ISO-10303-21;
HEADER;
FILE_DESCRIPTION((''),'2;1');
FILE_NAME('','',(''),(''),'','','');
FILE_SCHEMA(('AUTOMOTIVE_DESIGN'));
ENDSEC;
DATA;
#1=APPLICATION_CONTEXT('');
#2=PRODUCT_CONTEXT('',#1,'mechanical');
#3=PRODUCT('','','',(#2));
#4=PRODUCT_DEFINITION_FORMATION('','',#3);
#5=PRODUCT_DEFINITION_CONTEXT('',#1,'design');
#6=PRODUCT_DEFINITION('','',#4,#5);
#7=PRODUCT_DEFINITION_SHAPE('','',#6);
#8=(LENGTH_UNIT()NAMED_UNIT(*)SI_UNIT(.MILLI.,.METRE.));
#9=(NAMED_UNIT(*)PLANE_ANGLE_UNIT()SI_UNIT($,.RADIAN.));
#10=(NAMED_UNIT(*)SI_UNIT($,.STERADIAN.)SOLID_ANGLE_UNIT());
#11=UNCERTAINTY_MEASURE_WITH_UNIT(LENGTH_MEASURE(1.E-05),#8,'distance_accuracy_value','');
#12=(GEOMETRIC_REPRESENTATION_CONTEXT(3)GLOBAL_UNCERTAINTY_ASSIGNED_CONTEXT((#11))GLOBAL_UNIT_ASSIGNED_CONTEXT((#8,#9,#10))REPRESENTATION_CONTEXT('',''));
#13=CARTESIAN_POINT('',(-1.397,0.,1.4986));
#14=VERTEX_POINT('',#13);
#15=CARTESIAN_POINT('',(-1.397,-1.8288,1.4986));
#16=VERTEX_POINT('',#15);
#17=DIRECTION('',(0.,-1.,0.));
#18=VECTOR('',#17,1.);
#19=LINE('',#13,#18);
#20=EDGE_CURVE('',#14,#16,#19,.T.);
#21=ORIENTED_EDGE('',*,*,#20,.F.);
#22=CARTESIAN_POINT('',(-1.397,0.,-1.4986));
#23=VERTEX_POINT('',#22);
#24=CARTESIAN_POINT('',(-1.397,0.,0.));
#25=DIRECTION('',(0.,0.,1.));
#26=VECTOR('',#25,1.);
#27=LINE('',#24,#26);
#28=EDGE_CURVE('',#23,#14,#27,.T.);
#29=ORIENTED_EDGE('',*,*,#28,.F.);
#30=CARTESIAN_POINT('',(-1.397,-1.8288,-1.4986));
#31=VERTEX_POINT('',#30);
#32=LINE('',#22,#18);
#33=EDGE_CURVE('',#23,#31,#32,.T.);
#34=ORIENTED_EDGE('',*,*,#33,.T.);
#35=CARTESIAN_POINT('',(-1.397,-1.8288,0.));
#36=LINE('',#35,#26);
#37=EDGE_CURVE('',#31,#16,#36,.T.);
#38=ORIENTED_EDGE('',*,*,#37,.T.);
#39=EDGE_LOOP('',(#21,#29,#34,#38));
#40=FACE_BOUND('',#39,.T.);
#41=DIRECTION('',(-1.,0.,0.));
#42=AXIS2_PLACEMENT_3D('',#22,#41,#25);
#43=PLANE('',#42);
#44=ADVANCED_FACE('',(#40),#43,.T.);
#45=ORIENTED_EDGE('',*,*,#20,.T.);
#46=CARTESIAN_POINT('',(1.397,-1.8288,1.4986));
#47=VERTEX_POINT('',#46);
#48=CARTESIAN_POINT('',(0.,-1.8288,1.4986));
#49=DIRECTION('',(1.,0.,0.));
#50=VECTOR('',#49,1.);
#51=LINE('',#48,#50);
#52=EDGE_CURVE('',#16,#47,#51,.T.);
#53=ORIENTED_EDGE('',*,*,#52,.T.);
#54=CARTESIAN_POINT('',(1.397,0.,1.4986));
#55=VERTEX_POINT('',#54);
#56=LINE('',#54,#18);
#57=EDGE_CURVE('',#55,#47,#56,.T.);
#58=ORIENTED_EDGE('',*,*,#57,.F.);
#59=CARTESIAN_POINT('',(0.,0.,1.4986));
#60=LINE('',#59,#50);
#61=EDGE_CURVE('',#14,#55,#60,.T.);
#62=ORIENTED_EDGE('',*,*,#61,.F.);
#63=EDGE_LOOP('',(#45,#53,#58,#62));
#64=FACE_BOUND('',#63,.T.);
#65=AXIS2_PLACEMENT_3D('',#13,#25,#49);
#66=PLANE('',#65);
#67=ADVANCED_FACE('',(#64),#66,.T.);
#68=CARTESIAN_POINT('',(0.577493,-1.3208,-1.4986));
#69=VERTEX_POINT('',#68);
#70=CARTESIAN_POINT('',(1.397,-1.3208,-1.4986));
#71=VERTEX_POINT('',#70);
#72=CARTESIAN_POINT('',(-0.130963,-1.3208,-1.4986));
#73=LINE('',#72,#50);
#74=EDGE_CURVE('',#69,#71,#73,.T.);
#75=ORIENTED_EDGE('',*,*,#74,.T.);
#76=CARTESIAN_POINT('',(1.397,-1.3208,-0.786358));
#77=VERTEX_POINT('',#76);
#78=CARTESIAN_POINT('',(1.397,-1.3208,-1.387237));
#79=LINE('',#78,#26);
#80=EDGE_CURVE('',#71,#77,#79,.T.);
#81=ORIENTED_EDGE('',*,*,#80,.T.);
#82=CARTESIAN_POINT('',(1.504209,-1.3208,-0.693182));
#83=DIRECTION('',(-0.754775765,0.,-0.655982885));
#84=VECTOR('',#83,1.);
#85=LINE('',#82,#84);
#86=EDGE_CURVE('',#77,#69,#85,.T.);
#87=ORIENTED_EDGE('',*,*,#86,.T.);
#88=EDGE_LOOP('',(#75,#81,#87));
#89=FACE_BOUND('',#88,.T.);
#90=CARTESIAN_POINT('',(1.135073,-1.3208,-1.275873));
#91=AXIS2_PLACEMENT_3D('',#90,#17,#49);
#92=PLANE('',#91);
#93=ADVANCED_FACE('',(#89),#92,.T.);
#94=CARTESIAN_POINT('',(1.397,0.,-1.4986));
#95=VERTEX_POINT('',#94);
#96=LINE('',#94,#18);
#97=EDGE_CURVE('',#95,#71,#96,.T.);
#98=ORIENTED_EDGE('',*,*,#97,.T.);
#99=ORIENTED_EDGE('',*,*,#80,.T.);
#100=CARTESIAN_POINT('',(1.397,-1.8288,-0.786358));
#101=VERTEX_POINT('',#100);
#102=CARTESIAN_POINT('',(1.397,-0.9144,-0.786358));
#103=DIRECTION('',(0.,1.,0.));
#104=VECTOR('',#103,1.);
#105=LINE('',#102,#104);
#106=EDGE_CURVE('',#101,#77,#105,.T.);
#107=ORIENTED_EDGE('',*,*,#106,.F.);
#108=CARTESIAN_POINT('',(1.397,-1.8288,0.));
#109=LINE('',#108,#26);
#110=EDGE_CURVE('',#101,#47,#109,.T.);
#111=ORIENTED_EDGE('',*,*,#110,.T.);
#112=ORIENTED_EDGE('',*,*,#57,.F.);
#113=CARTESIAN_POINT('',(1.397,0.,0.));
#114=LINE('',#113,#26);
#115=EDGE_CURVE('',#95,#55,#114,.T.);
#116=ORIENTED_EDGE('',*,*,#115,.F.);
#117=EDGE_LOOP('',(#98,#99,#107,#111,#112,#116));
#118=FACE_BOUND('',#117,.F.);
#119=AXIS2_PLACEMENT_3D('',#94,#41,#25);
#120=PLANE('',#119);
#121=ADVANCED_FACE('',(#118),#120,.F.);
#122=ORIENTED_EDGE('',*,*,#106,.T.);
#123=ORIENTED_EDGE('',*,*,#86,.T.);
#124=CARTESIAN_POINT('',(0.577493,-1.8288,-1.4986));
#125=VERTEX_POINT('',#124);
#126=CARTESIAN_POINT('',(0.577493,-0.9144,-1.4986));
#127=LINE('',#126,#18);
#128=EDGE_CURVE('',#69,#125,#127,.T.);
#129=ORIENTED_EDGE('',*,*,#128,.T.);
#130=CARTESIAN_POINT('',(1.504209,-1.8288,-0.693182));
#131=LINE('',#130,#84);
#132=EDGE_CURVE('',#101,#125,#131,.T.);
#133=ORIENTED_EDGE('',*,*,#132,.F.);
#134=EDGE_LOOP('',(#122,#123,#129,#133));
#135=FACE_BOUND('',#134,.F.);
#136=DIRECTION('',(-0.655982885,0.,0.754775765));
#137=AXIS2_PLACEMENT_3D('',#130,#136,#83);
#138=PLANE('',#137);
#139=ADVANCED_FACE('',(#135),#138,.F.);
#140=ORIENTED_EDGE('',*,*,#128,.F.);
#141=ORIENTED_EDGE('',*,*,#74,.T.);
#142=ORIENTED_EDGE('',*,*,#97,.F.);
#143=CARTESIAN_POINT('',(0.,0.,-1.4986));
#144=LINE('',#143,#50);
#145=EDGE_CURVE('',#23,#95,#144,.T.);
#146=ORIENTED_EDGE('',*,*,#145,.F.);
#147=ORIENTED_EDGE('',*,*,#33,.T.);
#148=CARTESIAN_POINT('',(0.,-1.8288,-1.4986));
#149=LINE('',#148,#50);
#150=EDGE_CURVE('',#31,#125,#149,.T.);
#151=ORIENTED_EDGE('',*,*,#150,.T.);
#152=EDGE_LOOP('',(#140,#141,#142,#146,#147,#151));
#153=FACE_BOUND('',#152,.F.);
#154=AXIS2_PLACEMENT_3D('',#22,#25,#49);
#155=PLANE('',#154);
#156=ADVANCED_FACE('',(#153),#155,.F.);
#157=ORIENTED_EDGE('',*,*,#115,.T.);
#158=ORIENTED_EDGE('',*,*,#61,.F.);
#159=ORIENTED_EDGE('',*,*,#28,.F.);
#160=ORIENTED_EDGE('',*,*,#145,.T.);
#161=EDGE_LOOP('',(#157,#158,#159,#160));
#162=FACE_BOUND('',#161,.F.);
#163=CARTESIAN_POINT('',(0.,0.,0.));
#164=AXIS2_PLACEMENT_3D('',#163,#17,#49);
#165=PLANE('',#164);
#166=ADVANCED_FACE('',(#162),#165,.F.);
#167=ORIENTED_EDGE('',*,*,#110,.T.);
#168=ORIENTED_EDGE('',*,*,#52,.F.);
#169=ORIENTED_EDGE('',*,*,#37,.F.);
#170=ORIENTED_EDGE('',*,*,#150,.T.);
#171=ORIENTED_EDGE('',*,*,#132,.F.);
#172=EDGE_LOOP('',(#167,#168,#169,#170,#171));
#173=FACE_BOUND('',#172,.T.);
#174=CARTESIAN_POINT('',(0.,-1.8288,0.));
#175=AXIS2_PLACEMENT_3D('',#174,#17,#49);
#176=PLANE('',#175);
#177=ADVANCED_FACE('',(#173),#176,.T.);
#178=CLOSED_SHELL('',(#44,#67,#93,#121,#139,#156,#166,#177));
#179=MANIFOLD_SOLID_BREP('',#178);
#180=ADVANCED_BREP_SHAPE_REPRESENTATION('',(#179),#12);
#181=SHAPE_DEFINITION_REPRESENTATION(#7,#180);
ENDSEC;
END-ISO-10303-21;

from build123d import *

# Parameters (mm, degrees)
F0_W     = 2.794
F0_H     = 2.9972
F1_DEPTH = 1.8288
F3_DEPTH = 0.508


with BuildPart() as f1:
    # F0 (on Front) → F1 (new body)
    with BuildSketch(Plane.XZ):
        Rectangle(F0_W, F0_H)
    extrude(amount=F1_DEPTH)

    # F2 (on face) → F3 (cut)
    with BuildSketch(Plane.XZ.offset(1.8288)):
        Polygon((1.504209, -0.693182), (0.487083, -1.577176), (1.504209, -1.586379), align=None)
    extrude(amount=-F3_DEPTH, mode=Mode.SUBTRACT)


solid = f1.part
